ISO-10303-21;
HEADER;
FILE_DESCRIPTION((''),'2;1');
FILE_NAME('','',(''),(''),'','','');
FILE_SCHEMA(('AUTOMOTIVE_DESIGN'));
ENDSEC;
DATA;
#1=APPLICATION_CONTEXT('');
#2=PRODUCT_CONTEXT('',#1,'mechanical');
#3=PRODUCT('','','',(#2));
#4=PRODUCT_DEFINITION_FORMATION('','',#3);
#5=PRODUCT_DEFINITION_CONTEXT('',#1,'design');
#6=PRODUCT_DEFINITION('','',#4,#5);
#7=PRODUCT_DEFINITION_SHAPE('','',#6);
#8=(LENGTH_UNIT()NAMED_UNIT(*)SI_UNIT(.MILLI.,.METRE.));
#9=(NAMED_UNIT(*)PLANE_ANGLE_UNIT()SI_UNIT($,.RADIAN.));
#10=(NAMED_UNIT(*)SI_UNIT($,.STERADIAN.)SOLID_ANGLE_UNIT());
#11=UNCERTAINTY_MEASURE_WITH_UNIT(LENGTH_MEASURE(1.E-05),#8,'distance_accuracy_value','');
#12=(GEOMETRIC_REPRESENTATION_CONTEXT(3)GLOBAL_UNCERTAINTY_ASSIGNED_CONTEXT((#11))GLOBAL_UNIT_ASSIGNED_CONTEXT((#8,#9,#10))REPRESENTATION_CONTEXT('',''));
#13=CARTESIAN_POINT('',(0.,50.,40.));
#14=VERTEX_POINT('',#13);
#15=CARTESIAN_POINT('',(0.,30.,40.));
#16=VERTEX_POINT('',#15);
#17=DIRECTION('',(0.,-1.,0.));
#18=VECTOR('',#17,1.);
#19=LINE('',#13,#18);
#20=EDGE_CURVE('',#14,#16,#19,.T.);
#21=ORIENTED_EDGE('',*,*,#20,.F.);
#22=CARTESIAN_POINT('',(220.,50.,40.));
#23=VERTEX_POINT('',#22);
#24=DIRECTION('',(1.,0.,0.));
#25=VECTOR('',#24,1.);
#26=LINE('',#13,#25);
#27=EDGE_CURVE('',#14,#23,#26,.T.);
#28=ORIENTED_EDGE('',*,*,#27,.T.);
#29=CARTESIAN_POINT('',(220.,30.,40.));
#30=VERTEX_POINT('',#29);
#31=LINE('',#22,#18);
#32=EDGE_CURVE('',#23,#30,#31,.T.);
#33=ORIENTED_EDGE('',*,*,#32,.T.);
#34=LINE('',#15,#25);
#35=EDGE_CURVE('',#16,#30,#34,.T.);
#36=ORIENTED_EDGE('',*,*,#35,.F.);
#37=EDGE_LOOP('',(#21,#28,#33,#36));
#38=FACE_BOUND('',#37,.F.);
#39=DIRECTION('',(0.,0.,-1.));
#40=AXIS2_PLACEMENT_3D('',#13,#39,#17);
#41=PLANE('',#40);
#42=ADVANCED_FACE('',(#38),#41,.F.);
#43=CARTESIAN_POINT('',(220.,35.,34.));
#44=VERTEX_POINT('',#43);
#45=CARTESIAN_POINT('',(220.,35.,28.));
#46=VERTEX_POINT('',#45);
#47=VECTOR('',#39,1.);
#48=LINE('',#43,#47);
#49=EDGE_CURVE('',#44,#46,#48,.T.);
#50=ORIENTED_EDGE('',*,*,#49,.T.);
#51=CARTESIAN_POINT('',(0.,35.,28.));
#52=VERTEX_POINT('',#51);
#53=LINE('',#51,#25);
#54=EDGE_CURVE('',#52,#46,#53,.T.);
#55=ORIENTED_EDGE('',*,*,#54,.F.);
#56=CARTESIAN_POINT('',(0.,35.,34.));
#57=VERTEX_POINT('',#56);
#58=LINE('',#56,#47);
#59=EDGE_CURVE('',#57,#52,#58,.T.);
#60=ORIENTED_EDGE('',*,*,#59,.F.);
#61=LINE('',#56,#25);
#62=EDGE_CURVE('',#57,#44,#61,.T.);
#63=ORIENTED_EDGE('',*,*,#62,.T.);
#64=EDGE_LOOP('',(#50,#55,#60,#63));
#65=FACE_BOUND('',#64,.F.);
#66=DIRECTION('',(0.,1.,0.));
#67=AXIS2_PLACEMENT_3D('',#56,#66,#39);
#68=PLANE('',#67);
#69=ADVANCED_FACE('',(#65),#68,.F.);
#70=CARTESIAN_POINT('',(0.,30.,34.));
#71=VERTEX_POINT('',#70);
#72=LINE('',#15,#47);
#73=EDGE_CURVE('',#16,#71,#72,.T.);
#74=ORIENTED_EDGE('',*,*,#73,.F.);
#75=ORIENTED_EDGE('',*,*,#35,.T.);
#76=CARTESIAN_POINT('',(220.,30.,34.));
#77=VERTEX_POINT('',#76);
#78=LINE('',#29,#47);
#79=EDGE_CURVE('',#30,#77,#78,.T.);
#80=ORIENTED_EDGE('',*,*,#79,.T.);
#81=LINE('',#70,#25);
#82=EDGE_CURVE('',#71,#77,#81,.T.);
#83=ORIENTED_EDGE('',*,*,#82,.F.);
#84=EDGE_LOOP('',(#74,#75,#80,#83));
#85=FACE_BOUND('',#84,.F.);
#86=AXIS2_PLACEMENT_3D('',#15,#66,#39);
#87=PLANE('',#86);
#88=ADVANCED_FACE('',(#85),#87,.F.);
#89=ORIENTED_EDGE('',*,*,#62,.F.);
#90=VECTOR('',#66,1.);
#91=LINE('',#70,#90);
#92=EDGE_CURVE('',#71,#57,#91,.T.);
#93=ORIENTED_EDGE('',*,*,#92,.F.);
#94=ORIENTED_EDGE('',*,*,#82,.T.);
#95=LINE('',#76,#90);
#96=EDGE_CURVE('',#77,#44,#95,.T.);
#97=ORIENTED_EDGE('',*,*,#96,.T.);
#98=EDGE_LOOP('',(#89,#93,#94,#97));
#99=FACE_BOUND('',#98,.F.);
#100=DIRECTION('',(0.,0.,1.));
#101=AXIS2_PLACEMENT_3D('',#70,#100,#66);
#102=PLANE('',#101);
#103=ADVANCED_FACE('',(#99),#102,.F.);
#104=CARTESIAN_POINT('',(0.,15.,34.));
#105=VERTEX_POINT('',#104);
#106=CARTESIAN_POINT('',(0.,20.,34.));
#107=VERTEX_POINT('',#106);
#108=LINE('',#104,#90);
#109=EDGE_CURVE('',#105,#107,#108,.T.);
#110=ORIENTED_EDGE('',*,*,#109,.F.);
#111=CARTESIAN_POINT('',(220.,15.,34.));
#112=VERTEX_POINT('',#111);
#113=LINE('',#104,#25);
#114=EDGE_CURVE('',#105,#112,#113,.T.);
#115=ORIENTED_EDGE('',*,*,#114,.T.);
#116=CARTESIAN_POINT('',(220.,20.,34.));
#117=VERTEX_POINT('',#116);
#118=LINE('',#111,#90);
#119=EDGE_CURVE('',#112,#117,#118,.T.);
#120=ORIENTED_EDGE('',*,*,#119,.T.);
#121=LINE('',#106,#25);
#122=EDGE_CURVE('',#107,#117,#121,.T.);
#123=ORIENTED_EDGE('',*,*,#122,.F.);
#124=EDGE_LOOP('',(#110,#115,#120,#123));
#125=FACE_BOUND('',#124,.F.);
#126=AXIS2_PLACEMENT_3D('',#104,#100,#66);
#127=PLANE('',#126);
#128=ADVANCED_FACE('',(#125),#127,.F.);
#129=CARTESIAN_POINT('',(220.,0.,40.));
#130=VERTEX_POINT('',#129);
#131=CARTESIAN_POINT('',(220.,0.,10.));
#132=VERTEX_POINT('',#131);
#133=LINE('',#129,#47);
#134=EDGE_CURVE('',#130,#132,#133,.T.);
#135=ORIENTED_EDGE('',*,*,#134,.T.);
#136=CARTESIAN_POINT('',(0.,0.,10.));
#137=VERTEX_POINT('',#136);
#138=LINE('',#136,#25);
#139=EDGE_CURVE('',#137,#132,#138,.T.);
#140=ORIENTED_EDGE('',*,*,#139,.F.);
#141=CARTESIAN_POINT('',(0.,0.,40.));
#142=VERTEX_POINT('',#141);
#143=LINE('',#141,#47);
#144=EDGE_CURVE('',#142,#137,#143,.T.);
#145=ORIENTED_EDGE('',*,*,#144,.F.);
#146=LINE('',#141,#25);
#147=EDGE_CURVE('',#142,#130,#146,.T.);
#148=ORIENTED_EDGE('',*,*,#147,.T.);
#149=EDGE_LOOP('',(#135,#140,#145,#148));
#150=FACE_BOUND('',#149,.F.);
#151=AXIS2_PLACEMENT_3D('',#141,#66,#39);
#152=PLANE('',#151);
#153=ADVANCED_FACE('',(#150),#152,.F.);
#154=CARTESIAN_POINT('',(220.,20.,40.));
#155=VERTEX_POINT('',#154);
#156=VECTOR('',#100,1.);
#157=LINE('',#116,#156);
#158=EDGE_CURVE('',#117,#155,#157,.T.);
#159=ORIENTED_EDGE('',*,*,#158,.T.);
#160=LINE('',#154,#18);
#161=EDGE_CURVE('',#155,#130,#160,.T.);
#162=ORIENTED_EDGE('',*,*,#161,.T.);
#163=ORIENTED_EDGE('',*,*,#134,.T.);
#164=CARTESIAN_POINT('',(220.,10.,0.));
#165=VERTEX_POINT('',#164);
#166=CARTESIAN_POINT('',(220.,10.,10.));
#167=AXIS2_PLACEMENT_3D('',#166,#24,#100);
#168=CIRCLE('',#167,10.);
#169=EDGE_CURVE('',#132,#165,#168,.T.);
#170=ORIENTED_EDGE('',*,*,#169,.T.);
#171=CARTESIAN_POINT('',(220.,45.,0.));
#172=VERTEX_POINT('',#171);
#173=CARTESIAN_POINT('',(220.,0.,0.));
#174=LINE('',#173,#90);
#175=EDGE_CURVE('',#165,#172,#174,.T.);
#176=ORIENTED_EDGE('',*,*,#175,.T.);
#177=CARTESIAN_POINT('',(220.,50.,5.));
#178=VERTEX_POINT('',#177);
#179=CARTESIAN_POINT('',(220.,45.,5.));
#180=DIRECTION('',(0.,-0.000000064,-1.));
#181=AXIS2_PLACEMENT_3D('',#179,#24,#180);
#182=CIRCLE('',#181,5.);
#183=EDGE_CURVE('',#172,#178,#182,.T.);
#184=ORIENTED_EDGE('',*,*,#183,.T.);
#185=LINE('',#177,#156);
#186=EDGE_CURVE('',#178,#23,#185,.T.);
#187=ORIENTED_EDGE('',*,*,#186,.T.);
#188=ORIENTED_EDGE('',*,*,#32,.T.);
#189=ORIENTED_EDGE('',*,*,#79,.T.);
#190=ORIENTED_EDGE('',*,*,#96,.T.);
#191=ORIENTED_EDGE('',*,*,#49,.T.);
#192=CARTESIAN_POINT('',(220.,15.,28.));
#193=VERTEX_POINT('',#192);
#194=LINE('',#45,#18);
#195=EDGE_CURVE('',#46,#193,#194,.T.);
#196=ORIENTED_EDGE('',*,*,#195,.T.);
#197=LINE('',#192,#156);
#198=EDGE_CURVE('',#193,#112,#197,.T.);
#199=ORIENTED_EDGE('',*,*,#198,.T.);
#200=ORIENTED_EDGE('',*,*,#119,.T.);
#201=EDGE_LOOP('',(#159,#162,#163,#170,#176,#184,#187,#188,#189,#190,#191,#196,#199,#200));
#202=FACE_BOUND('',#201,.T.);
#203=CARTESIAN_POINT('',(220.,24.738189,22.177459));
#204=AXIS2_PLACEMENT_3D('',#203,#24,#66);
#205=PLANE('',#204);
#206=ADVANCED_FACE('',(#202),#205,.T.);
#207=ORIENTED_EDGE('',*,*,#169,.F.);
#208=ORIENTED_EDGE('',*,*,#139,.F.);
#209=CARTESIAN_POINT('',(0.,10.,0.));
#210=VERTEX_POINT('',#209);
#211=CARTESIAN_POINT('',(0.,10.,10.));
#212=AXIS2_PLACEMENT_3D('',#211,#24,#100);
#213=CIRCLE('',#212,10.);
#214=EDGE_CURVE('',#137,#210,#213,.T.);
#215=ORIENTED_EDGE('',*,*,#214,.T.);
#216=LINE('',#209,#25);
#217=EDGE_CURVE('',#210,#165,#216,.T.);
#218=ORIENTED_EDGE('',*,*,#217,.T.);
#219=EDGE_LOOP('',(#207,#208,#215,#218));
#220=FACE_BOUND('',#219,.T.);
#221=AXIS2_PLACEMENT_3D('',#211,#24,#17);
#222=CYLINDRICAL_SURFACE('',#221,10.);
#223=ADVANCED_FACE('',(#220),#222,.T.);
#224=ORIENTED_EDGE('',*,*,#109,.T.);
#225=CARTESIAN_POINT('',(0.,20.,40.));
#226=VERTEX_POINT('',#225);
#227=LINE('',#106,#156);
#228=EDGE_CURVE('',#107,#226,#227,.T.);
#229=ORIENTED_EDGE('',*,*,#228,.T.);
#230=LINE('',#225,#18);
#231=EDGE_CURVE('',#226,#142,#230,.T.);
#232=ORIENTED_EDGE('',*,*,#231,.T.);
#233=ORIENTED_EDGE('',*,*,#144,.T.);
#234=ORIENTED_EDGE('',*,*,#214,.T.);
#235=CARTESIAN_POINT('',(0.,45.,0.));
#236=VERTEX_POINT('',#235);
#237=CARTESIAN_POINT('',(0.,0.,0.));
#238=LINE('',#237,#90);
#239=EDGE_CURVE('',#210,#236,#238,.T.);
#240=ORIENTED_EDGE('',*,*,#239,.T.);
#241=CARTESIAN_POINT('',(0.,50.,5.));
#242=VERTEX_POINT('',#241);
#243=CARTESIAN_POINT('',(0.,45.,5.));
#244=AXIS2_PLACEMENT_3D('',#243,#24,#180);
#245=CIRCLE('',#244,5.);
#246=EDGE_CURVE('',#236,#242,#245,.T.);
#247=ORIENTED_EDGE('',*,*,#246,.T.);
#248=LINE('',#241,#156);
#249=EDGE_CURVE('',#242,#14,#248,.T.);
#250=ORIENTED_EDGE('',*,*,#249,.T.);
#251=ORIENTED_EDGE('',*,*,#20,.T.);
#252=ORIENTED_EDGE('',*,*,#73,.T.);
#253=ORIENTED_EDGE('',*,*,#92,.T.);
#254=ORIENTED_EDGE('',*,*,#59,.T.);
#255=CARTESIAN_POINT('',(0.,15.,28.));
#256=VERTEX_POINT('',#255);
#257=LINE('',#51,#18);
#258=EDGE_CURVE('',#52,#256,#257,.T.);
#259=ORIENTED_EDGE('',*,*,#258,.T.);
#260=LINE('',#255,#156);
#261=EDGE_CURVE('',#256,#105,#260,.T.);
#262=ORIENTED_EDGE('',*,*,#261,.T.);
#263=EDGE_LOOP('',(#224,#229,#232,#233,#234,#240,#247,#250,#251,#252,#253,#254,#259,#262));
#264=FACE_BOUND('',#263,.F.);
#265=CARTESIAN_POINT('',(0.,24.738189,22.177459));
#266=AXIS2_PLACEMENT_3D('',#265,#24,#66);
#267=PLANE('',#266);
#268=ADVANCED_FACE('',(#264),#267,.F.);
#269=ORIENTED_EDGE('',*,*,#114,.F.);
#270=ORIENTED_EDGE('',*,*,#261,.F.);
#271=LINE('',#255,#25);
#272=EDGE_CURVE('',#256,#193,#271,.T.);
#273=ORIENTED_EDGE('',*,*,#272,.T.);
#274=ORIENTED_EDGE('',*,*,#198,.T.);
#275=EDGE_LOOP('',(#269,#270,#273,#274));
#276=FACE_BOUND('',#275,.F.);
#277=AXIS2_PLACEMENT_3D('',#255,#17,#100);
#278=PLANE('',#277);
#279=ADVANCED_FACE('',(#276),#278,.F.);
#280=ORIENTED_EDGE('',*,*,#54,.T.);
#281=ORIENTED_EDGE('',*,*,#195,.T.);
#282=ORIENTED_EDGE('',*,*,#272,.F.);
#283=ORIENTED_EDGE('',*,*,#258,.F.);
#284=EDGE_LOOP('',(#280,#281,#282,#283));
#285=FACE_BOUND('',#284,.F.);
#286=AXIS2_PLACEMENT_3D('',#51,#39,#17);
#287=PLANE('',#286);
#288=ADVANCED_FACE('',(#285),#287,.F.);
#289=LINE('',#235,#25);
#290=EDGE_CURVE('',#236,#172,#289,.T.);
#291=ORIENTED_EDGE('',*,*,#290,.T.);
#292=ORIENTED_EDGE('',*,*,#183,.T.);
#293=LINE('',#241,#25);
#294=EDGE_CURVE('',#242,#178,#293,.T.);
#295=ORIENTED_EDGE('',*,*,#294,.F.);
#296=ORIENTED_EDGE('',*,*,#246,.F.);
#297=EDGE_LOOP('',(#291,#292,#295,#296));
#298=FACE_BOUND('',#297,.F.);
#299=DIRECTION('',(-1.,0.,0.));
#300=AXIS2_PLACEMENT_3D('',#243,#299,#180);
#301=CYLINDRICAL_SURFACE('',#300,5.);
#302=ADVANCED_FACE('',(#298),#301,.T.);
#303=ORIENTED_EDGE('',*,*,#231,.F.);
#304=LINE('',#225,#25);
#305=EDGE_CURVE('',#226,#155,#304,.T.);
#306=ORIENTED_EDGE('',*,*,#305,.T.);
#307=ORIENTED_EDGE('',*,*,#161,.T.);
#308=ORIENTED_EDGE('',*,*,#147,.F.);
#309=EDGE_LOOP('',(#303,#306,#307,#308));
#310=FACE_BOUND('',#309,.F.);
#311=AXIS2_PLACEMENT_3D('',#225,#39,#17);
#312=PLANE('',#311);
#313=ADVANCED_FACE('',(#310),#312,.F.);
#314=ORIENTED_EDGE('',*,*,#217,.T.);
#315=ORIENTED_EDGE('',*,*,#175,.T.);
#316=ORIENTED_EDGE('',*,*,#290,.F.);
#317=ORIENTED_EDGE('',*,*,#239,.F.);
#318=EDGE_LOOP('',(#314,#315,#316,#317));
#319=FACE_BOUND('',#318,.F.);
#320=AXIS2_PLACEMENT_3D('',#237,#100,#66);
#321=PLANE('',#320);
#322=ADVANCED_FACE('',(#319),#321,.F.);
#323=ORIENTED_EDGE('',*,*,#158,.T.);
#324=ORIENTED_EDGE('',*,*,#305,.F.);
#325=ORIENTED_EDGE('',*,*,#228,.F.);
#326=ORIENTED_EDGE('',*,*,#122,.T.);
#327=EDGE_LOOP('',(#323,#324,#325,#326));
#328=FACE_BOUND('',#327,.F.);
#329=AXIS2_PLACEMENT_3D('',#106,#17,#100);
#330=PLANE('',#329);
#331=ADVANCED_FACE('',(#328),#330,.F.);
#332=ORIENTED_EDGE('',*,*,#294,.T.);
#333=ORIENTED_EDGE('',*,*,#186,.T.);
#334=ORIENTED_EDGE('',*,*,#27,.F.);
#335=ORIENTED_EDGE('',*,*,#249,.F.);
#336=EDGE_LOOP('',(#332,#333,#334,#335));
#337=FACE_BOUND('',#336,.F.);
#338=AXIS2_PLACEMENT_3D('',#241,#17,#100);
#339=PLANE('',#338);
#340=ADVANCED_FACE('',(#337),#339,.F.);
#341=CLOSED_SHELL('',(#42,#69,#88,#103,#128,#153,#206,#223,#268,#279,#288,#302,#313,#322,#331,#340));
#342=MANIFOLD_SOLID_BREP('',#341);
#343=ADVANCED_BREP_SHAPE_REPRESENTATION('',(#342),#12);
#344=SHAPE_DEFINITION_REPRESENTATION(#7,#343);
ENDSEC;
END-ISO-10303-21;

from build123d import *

# Parameters (mm, degrees)
F1_DEPTH = 220
F2_R     = 10


with BuildPart() as f1:
    # F0 (on Right) → F1 (new body)
    with BuildSketch(Plane.YZ):
        with BuildLine():
            Line((50, 5), (50, 40))
            Line((50, 40), (30, 40))
            Line((30, 40), (30, 34))
            Line((30, 34), (35, 34))
            Line((35, 34), (35, 28))
            Line((35, 28), (15, 28))
            Line((15, 28), (15, 34))
            Line((15, 34), (20, 34))
            Line((20, 34), (20, 40))
            Line((20, 40), (0, 40))
            Line((0, 40), (0, 0))
            Line((0, 0), (45, 0))
            ThreePointArc((45, 0), (48.535534, 1.464466), (50, 5))
        make_face()
    extrude(amount=F1_DEPTH)

    # F2
    f2_edges = [f1.edges().sort_by_distance(p)[0] for p in [
        (110, 0, 0),
    ]]
    fillet(f2_edges, radius=F2_R)


solid = f1.part
